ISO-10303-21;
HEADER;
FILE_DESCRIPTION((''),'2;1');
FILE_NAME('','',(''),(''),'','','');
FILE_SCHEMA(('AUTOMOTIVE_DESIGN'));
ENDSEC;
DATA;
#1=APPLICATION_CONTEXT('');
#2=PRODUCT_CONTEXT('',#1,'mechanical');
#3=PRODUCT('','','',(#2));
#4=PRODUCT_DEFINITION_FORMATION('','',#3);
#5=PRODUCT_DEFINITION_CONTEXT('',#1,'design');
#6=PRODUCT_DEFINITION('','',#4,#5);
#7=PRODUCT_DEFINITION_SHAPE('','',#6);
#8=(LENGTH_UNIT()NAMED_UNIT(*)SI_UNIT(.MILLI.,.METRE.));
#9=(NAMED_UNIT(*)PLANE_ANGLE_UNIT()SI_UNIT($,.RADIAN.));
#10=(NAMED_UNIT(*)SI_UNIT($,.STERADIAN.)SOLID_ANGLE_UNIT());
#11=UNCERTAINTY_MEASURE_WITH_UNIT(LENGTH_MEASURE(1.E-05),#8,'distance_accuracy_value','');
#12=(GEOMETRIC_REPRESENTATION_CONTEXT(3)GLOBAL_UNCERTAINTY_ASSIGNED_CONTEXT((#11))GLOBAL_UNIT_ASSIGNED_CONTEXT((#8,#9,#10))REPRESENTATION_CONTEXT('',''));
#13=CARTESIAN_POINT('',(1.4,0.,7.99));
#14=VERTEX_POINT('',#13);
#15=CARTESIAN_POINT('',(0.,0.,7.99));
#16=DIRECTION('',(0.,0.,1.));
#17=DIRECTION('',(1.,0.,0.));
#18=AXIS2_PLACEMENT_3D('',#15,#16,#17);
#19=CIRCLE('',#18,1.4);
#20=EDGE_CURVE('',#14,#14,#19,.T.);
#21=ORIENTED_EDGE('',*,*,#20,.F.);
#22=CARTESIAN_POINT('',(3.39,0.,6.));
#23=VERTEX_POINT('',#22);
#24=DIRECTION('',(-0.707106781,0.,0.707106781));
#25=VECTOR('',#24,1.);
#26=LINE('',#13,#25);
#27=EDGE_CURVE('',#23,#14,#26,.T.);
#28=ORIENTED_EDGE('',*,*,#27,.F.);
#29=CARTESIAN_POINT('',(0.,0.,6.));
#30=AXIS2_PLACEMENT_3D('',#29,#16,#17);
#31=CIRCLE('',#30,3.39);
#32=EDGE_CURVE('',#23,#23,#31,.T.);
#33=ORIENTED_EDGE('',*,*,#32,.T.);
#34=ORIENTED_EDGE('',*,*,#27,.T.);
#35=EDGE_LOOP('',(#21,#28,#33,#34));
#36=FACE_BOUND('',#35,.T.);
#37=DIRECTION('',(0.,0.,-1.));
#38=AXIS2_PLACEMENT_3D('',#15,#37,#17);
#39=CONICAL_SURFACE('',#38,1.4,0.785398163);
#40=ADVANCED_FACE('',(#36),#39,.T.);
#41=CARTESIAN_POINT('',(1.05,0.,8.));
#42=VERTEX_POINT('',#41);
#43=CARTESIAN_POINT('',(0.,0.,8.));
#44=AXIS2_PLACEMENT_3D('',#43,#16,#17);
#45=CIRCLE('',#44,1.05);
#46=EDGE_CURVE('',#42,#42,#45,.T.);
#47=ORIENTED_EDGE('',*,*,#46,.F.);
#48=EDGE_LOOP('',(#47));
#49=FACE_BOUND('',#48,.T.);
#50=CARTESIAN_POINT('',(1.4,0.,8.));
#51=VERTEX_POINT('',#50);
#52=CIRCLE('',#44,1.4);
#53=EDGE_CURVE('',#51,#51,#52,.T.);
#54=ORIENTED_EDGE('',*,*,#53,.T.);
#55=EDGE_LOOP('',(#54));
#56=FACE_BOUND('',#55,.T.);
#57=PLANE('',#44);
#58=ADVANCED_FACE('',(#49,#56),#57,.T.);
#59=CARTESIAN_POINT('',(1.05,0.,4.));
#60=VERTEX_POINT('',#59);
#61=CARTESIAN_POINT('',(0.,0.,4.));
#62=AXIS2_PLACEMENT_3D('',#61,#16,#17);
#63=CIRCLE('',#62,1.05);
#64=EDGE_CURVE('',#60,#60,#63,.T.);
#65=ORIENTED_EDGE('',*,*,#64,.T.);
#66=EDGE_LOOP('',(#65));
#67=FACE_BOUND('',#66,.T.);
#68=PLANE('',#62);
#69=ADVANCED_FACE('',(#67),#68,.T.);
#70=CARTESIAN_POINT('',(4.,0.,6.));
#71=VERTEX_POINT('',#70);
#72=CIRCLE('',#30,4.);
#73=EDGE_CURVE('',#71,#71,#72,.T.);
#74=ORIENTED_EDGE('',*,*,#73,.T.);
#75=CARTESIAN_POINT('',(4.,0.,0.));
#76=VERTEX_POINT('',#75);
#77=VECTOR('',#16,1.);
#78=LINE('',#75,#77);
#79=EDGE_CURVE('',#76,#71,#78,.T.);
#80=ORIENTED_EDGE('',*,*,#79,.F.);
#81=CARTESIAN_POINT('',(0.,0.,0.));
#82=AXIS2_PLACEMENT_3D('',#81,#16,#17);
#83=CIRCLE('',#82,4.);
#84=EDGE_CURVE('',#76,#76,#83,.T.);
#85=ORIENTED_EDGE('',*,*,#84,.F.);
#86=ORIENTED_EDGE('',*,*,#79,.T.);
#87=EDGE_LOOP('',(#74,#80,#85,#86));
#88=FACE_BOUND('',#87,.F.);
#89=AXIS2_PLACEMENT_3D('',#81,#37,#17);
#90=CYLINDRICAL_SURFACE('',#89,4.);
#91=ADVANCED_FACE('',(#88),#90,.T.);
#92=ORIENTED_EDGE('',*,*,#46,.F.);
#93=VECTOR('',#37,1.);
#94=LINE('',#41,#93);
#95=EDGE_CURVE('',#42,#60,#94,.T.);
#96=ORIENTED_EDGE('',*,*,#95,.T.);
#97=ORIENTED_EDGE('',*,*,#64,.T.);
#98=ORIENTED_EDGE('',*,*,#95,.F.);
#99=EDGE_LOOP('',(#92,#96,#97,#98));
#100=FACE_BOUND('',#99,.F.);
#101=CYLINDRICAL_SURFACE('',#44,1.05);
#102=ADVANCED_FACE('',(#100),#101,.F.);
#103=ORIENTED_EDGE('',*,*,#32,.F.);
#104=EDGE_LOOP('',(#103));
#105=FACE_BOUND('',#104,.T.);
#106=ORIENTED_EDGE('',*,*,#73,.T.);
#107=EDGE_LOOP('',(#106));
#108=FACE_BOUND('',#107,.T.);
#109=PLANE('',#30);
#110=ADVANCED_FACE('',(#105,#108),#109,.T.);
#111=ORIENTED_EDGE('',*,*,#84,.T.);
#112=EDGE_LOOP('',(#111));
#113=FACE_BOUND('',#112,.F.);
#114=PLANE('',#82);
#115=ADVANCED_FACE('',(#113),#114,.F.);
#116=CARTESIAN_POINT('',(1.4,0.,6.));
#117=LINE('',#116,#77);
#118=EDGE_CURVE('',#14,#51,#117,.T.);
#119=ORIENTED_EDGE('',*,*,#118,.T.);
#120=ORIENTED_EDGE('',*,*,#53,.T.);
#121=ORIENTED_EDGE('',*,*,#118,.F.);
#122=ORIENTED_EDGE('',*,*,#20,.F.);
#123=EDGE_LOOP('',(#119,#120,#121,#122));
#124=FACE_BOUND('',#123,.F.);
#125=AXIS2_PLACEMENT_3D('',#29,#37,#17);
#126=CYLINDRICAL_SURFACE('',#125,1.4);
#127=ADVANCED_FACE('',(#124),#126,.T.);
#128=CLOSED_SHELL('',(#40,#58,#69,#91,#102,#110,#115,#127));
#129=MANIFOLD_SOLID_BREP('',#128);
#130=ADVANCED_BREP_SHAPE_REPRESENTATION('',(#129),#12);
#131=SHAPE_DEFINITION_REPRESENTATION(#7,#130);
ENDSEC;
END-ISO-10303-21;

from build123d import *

# Parameters (mm, degrees)
SKETCH_R     = 4
PAD_DEPTH    = 6
SKETCH001_R  = 1.4
PAD001_DEPTH = 2
CHAMFER_SIZE = 1.99
SKETCH002_R  = 1.05
POCKET_DEPTH = 4


with BuildPart() as part:
    # Sketch → Pad (new body)
    with BuildSketch(Plane.XY):
        Circle(SKETCH_R)
    extrude(amount=PAD_DEPTH)

    # Sketch001 (on Face3 of Pad) → Pad001 (join)
    with BuildSketch(Plane.XY.offset(6)):
        Circle(SKETCH001_R)
    extrude(amount=PAD001_DEPTH)

    # Chamfer
    chamfer_edges = [part.edges().sort_by_distance(p)[0] for p in [
        (-1.4, 0, 6),
    ]]
    chamfer(chamfer_edges, length=CHAMFER_SIZE)

    # Sketch002 (on Face6 of Chamfer) → Pocket (cut)
    with BuildSketch(Plane.XY.offset(8)):
        Circle(SKETCH002_R)
    extrude(amount=-POCKET_DEPTH, mode=Mode.SUBTRACT)


solid = part.part
